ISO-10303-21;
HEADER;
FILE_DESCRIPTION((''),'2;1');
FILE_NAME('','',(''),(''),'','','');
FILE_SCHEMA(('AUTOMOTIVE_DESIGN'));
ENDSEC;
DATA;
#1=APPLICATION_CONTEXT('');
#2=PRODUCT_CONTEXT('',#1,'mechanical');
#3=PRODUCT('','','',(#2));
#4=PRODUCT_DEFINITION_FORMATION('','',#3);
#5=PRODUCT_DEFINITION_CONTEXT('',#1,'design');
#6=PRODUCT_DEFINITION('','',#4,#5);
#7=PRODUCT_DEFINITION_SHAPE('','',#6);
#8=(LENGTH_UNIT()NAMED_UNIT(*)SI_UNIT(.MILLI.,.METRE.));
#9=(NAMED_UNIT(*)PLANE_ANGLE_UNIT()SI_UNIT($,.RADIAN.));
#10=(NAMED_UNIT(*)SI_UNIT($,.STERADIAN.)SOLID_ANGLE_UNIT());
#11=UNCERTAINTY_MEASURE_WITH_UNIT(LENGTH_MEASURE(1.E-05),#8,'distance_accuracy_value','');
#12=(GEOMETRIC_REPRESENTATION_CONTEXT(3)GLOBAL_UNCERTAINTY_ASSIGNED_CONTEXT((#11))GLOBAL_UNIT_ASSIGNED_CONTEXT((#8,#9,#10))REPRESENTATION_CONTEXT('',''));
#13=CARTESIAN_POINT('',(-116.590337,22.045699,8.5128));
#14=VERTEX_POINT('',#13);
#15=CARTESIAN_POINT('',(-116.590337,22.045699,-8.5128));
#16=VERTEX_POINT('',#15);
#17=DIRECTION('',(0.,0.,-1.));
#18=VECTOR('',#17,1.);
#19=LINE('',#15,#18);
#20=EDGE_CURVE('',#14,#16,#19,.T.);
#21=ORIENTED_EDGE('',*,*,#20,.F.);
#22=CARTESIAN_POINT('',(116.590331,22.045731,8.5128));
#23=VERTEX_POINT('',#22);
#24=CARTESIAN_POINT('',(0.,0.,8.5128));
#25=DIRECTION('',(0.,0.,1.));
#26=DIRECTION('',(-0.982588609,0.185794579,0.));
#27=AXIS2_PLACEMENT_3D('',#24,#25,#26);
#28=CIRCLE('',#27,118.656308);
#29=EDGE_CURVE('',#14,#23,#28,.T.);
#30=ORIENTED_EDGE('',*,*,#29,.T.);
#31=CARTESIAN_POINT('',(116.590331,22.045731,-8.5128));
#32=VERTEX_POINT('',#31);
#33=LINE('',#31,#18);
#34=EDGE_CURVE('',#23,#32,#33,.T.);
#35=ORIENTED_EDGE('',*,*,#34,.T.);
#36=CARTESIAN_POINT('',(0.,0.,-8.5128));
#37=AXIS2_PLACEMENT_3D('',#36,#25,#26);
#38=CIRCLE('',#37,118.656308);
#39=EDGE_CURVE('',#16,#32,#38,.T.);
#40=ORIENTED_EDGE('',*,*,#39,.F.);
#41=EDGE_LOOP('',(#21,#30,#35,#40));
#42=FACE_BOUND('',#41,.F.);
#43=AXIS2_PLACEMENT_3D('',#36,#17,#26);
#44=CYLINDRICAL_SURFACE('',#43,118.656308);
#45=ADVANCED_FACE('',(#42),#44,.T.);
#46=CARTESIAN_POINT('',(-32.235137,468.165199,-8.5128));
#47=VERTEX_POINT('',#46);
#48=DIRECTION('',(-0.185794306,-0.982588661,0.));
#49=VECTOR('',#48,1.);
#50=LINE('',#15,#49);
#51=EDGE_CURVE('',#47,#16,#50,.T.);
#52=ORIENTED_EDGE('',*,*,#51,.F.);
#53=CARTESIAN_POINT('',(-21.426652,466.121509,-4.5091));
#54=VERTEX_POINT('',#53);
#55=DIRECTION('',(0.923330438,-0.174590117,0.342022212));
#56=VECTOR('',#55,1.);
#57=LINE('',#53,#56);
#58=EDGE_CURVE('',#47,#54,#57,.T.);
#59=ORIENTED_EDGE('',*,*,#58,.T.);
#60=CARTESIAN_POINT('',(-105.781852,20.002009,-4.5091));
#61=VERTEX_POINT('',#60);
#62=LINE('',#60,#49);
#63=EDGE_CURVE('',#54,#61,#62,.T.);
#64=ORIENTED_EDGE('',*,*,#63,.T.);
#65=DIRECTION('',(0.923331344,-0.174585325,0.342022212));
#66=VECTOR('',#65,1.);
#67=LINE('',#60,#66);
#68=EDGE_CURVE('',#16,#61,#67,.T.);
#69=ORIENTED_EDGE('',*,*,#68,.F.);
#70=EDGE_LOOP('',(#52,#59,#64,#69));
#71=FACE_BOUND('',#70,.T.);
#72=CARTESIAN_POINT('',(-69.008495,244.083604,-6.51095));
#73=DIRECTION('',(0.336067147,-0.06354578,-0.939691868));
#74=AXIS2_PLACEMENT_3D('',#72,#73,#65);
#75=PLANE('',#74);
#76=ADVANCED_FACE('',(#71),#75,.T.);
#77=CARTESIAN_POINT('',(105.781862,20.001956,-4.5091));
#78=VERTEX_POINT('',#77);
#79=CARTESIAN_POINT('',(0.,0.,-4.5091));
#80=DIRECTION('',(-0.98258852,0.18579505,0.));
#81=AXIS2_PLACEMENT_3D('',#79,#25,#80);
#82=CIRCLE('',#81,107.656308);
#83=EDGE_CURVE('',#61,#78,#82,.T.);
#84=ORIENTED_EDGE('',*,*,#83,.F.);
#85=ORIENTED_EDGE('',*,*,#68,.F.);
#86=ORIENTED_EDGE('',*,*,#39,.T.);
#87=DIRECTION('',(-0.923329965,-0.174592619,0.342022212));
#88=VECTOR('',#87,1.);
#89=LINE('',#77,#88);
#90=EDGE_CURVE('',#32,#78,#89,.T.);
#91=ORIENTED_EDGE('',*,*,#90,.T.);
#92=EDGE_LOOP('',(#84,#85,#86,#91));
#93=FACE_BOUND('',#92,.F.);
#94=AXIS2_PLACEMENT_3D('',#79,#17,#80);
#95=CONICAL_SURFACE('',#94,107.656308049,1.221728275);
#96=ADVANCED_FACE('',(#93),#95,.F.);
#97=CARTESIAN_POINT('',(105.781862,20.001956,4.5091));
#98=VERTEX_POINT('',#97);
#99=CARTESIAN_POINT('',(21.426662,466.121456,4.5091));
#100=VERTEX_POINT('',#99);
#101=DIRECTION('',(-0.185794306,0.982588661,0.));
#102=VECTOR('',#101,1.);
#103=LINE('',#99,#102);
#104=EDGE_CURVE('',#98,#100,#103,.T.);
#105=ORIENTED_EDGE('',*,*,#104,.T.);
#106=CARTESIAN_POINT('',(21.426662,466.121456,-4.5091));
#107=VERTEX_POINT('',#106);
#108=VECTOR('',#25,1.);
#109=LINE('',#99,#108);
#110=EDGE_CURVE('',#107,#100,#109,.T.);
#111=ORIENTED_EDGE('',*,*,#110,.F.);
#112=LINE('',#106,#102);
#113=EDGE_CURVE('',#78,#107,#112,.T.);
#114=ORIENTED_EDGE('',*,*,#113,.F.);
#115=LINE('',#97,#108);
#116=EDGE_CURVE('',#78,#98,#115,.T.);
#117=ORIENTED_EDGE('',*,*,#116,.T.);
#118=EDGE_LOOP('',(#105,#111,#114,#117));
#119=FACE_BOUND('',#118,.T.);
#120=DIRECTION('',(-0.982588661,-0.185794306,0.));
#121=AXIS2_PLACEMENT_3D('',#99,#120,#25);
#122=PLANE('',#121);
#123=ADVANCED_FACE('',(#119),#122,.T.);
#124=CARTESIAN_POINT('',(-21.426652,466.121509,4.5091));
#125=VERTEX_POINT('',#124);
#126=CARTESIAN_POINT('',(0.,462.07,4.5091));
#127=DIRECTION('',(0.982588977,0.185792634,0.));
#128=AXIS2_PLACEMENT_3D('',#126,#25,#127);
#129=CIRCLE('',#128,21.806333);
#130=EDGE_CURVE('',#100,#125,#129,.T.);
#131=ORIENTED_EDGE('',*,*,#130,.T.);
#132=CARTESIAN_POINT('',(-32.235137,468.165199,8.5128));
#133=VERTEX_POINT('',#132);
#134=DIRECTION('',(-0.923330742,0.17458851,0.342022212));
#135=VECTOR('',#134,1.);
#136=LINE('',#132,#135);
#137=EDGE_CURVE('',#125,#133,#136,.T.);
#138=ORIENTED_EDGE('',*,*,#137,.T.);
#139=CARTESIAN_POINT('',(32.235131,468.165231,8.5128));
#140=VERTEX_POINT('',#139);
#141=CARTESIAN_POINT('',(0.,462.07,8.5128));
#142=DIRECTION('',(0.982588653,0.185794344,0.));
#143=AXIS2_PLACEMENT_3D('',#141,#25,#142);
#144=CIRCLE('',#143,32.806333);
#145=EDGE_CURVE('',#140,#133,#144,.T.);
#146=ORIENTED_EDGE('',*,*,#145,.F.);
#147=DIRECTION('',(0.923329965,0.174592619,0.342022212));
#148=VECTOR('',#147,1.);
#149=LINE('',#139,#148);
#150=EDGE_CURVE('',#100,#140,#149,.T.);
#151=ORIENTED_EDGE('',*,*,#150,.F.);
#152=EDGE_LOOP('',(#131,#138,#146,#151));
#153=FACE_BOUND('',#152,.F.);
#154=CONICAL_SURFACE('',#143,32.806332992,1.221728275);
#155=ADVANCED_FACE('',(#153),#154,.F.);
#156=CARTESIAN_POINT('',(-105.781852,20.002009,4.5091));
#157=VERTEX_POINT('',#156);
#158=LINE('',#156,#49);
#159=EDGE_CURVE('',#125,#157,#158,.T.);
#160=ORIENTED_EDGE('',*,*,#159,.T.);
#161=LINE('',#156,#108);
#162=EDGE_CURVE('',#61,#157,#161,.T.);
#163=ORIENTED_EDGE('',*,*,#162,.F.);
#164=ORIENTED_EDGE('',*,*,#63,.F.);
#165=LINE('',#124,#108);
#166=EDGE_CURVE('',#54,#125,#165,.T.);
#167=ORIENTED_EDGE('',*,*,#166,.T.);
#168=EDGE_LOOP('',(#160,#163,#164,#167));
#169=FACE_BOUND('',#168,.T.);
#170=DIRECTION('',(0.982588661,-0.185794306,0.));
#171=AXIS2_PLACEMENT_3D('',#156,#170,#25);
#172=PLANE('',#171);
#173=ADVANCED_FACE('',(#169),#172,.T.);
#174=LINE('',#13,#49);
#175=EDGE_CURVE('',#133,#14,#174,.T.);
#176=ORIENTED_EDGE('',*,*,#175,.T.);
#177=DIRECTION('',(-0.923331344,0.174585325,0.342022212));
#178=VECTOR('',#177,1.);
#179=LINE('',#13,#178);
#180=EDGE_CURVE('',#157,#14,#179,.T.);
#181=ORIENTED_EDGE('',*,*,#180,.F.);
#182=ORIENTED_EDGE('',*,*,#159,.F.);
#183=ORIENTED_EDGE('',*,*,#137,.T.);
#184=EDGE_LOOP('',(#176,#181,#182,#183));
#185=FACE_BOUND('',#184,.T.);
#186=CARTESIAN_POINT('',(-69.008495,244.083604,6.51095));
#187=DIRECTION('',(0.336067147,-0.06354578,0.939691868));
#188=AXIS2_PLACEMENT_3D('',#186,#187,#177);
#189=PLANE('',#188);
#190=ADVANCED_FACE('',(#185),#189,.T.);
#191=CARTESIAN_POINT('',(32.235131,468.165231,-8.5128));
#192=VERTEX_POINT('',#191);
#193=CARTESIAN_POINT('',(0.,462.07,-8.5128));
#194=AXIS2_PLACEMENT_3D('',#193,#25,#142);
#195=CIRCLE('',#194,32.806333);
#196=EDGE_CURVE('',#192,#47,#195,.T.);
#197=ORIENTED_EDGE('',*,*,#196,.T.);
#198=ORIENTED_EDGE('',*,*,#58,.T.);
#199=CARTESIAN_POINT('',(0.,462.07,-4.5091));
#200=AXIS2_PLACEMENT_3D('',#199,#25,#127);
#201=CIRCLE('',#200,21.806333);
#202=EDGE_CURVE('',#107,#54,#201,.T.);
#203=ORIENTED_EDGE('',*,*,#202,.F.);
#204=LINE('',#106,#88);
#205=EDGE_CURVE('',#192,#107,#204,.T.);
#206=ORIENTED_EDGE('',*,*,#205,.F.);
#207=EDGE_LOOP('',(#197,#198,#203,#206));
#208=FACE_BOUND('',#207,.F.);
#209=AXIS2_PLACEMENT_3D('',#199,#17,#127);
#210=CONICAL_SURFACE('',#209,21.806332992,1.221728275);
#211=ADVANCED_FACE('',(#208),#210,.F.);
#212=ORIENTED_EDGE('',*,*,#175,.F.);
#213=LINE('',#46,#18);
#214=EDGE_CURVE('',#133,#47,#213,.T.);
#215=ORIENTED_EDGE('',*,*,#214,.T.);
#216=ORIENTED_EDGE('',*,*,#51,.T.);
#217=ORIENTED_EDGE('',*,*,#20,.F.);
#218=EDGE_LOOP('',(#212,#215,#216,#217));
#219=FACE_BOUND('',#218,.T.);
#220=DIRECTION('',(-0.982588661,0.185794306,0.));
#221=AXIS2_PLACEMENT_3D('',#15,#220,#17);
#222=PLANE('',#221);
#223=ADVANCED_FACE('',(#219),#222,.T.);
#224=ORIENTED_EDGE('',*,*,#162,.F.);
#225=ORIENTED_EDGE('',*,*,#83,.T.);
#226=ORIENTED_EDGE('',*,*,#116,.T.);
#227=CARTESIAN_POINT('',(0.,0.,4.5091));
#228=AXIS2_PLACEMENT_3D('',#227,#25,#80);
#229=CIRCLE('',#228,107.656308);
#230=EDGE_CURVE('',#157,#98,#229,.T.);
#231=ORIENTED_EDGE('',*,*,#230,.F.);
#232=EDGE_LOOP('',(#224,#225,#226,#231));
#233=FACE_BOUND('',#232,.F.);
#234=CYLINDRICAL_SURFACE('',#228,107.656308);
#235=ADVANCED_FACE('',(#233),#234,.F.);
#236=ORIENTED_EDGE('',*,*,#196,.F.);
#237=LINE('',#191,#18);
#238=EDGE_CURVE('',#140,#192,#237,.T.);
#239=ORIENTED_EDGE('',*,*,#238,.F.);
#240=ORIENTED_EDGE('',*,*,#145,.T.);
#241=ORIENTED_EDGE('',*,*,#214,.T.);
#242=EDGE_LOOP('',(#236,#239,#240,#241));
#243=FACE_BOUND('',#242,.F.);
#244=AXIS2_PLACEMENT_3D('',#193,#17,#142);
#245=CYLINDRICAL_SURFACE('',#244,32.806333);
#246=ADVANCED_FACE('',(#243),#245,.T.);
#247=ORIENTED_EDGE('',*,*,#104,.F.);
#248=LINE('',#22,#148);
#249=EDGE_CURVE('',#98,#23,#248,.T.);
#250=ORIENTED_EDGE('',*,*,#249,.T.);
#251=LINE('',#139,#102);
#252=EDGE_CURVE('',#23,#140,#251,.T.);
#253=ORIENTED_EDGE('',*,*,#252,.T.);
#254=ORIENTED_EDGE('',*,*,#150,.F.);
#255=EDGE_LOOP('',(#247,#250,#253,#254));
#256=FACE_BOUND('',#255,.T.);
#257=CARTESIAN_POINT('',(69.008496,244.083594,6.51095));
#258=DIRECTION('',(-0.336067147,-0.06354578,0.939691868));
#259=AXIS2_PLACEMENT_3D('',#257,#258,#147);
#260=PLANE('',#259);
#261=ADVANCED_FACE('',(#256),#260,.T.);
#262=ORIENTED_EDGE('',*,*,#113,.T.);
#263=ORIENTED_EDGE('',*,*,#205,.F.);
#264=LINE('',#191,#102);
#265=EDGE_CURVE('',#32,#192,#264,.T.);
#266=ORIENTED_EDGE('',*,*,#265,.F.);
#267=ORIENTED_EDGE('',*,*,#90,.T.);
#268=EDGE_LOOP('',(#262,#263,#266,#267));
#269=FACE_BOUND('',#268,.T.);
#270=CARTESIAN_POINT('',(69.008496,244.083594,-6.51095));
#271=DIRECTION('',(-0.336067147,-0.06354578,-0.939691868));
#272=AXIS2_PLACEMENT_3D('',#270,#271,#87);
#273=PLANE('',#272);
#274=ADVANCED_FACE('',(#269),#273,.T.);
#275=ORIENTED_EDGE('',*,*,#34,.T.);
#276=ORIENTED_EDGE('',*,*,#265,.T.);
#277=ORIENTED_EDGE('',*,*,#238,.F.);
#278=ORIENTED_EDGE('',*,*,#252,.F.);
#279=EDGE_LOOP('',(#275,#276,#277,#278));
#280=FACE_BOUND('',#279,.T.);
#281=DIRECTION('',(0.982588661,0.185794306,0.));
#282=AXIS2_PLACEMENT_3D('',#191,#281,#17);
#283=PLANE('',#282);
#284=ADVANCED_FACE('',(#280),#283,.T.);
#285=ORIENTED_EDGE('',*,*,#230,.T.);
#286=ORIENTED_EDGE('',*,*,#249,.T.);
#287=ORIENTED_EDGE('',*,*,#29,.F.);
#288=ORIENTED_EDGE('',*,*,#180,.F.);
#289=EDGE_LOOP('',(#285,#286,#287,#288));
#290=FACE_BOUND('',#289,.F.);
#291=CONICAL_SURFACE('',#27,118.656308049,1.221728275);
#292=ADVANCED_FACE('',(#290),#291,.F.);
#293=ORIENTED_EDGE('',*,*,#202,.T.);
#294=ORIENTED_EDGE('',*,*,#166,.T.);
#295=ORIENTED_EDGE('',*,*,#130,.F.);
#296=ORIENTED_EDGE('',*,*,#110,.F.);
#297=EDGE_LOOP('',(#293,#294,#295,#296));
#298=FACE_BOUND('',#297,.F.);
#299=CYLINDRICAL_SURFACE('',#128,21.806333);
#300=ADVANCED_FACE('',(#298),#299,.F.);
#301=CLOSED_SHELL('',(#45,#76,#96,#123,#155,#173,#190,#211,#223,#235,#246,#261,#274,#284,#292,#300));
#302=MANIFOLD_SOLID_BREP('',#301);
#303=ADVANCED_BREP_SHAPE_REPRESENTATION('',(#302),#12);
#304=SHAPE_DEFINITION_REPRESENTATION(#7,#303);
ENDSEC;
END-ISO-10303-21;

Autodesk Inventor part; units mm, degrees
ref_plane "YZ Plane" through (0, 0, 0) normal (1, 0, 0) x (0, 1, 0)
ref_plane "XZ Plane" through (0, 0, 0) normal (0, 1, 0) x (-1, 0, 0)
sketch "Chemin d'esquisse" plane through (0, 0, 0) normal (0, 0, 1) x (1, 0, 0)
  arc A0 (-112.5064, 21.2735) -> (112.5064, 21.2735) centre (0, 0) ccw
  arc A1 (28.1512, 467.393) -> (-28.1512, 467.393) centre (0, 462.07) ccw
  line L0 (28.1512, 467.393) -> (112.5064, 21.2735)
  line L1 (-112.5064, 21.2735) -> (-28.1512, 467.393)
ref_plane "Plan de section" through (112.5064, 21.2735, 0) normal (-0.1858, 0.9826, 0) x (0, 0, 1)
sketch "Section" plane through (112.5064, 21.2735, 0) normal (-0.1858, 0.9826, 0) x (0, 0, 1)
  line L0 (0, 4.1563) -> (0, -6.8437) construction
  line L1 (-7, 0) -> (7, 0) construction
  line L2 (-8.5128, 4.1563) -> (8.5128, 4.1563)
  line L3 (8.5128, 4.1563) -> (4.5091, -6.8437)
  line L4 (4.5091, -6.8437) -> (-4.5091, -6.8437)
  line L5 (-4.5091, -6.8437) -> (-8.5128, 4.1563)
  point P0 (0, 0)
  point P1 (0, 0)
  point P2 (0, 0)
  dimension "d0" = 14
  dimension "d1" = 4.1563
  dimension "d2" = 40
  dimension "d3" = 11
sweep "Courroie" add profiles "Section" path "Chemin d'esquisse"
equation "\"d0\" = da_Bw"
equation "\"d1\" = da_Hw"
equation "\"d2\" = da_Alfa"
equation "\"d3\" = da_H"
equation "\"da_Alfa\" = 40deg"
equation "\"da_H\" = 11"
equation "\"da_Bw\" = 14"
equation "\"da_Hw\" = 4.15634"
properties part number "Courroie trapézoïdale" material "Rubber"
